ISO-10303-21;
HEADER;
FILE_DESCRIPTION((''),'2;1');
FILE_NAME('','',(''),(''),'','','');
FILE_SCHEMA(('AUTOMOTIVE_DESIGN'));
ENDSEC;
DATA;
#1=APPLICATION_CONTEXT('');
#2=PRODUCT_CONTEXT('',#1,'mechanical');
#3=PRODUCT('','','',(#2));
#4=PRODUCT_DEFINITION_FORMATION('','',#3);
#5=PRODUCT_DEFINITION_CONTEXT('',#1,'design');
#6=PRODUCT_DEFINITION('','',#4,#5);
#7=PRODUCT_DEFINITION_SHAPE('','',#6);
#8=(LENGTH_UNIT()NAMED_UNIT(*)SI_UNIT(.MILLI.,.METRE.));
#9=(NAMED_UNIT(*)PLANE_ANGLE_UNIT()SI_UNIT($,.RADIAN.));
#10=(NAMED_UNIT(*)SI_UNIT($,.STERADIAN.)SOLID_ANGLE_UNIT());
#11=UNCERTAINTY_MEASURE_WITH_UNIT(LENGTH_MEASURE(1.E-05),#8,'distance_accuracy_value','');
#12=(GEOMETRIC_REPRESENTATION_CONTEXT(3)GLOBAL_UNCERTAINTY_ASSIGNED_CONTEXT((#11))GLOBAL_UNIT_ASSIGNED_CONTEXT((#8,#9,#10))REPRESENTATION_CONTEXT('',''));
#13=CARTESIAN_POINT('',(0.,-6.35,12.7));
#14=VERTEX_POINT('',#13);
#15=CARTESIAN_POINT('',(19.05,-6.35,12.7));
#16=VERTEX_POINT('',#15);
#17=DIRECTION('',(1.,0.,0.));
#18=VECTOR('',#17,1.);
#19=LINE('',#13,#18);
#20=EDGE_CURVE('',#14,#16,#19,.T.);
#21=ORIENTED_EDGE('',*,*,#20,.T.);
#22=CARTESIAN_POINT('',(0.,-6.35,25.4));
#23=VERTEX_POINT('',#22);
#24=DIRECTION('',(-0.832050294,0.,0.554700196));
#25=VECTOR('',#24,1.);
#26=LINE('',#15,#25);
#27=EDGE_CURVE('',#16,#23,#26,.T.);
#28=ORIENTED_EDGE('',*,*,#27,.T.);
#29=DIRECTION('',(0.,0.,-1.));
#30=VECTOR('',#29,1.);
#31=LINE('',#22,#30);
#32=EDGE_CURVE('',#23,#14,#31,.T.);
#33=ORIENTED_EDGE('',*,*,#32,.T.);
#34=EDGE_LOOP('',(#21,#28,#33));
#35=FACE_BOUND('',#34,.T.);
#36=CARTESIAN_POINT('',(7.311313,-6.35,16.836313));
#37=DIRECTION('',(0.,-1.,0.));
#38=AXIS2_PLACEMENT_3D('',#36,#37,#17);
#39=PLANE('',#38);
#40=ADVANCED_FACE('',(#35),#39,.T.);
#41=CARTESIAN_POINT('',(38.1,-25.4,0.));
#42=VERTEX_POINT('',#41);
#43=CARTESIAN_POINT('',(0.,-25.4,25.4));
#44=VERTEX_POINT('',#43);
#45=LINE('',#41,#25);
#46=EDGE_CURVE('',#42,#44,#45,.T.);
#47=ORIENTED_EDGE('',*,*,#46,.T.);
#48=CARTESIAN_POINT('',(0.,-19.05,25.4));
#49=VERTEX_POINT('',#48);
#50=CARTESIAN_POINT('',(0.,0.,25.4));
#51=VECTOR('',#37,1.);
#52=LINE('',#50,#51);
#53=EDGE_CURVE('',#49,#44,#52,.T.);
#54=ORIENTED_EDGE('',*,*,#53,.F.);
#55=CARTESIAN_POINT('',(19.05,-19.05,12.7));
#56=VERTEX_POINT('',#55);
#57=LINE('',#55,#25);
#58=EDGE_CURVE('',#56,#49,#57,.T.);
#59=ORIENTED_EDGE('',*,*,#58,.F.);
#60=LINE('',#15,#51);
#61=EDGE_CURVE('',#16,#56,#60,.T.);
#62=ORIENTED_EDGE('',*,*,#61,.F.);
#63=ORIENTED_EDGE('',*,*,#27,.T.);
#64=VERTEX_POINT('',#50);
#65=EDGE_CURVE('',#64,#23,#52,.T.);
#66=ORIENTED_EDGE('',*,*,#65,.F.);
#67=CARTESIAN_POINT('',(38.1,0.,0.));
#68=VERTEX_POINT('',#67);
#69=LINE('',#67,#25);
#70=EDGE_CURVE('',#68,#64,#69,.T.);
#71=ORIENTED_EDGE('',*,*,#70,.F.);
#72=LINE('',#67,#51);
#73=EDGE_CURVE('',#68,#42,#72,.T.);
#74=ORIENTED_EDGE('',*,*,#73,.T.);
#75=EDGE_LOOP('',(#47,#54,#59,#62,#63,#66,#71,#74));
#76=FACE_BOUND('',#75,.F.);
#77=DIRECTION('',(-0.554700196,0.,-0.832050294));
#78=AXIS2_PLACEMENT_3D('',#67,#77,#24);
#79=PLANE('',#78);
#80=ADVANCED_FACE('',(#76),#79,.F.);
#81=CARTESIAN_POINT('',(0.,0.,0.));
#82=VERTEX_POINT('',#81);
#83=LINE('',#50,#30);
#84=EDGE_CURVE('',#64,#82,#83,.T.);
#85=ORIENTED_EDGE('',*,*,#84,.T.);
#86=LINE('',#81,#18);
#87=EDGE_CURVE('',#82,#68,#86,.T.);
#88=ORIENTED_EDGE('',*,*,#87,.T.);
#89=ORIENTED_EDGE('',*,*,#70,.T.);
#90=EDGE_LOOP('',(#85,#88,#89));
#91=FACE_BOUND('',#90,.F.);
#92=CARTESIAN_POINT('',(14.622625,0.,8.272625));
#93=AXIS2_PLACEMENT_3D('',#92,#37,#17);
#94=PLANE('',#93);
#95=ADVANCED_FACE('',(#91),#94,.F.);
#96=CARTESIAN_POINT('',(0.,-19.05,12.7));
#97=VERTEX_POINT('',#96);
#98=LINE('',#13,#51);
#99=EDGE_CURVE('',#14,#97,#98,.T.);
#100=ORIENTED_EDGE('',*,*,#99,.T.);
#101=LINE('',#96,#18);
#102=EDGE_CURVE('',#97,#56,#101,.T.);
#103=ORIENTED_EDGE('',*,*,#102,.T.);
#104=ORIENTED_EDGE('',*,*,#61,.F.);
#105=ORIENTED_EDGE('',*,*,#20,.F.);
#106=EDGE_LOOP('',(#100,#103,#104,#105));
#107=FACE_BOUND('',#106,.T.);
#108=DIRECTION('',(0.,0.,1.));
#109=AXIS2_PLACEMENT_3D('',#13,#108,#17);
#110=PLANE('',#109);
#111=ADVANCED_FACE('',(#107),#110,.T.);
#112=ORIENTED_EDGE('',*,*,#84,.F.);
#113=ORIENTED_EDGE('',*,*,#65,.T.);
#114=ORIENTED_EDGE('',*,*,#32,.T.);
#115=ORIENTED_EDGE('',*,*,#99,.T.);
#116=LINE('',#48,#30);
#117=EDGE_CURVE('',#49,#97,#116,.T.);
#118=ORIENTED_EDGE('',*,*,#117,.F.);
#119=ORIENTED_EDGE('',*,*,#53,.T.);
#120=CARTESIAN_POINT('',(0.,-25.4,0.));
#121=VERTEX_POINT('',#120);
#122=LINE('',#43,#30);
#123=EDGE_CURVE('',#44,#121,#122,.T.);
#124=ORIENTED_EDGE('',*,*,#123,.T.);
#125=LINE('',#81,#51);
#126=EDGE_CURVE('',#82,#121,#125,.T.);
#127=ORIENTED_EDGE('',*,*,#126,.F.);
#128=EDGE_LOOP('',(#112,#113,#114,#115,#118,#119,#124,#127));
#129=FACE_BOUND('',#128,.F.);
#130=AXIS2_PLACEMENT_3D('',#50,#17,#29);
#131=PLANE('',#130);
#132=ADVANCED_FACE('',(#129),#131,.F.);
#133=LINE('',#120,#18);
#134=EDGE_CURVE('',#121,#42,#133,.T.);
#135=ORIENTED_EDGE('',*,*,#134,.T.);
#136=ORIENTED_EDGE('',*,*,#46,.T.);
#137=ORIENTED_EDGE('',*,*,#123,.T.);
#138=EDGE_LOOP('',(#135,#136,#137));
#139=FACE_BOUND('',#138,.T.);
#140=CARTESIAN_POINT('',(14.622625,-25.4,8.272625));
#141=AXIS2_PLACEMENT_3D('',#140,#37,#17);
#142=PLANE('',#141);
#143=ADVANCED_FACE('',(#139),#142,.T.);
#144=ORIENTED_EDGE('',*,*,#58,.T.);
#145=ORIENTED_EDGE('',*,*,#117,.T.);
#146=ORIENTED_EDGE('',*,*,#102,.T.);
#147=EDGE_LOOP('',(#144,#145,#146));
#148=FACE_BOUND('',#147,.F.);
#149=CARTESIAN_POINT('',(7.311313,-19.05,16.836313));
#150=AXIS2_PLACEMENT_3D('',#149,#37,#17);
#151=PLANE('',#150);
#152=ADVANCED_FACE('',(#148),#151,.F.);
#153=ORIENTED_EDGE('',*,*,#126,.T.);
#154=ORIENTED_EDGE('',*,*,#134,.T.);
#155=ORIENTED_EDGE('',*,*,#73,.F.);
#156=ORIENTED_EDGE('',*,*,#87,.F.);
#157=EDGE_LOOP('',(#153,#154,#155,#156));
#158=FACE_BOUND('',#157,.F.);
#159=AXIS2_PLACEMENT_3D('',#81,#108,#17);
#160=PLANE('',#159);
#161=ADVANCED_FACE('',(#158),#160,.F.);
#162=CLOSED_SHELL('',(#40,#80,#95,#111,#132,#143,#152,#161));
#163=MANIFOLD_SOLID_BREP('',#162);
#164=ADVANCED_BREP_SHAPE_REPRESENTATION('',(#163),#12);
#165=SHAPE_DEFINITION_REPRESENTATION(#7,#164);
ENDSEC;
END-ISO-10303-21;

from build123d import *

# Parameters (mm, degrees)
F1_DEPTH = 25.4
F3_START = 6.35
F3_DEPTH = 12.7


with BuildPart() as f1:
    # F0 (on Front) → F1 (new body)
    with BuildSketch(Plane.XZ):
        Polygon((0, 25.4), (0, 0), (38.1, 0), align=None)
    extrude(amount=F1_DEPTH)

    # F2 (on Front) → F3 (cut)
    with BuildSketch(Plane.XZ.offset(F3_START)):
        Polygon((19.05, 12.7), (0, 25.4), (0, 12.7), align=None)
    extrude(amount=F3_DEPTH, mode=Mode.SUBTRACT)


solid = f1.part
